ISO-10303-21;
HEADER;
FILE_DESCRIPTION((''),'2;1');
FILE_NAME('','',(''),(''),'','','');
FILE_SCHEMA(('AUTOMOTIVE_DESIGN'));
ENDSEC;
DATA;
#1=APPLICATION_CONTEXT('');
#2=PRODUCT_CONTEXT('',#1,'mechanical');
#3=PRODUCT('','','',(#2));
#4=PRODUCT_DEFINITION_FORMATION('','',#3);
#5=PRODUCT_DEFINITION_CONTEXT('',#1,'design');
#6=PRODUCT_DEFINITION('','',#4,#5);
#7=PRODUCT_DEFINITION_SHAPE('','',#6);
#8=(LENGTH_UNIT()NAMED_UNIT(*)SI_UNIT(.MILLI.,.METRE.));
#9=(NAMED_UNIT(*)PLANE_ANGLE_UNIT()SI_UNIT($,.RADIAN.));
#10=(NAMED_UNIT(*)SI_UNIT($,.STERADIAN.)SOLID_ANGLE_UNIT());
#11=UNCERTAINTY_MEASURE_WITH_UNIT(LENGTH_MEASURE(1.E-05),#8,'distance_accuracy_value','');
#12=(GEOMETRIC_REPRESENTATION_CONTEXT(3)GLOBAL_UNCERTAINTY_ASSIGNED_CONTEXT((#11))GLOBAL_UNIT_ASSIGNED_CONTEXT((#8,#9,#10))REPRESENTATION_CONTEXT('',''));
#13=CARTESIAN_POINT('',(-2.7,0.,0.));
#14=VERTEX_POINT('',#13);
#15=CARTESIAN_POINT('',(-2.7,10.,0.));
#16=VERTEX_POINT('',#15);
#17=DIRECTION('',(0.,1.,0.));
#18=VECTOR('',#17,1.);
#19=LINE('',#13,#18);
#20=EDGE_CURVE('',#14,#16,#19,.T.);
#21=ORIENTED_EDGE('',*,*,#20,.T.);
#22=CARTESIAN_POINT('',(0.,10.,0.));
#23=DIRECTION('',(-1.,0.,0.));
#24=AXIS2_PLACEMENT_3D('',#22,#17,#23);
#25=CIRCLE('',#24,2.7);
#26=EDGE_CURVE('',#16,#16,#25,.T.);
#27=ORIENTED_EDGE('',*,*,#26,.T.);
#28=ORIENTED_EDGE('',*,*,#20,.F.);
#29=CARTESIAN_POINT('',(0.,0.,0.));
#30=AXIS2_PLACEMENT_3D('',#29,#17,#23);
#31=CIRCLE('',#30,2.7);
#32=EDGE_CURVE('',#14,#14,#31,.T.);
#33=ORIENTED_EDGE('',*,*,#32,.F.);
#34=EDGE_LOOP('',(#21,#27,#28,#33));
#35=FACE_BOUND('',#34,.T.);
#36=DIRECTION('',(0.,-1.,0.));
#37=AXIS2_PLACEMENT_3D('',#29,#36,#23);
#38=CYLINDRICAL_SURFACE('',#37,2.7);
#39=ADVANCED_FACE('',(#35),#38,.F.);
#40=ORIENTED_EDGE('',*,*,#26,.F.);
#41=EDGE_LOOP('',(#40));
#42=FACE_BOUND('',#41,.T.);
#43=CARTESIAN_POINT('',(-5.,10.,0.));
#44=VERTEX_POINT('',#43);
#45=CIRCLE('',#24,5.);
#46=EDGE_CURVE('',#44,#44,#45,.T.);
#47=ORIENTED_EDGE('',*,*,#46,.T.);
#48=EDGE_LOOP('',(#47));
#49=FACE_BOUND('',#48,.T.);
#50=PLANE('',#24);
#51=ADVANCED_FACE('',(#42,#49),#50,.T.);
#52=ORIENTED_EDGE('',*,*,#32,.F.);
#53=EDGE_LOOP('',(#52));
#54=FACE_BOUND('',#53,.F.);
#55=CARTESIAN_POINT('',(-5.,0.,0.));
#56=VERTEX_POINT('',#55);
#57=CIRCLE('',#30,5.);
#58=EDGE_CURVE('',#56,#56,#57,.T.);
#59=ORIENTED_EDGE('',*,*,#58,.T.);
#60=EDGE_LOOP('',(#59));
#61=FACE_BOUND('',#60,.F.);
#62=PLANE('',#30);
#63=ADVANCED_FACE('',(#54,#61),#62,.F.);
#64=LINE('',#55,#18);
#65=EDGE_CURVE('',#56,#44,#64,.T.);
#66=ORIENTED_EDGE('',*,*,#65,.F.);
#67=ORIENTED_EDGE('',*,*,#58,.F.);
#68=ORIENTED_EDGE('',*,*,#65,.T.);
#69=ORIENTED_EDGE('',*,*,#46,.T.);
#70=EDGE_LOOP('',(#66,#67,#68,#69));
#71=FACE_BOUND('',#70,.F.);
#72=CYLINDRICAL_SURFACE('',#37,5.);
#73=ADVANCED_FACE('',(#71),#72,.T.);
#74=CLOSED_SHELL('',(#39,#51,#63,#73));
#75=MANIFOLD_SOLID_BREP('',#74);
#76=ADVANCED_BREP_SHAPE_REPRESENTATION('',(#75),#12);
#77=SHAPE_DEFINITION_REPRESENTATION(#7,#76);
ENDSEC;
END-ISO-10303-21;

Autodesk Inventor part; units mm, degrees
ref_plane "YZ Plane" through (0, 0, 0) normal (1, 0, 0) x (0, 1, 0)
ref_plane "XZ Plane" through (0, 0, 0) normal (0, 1, 0) x (-1, 0, 0)
ref_plane "XY Plane" through (0, 0, 0) normal (0, 0, 1) x (1, 0, 0)
sketch "Szkic1" plane through (0, 0, 0) normal (0, 1, 0) x (-1, 0, 0)
  circle A0 centre (0, 0) radius 2.7
  circle A1 centre (0, 0) radius 5
  dimension "d0" = 5.4
  dimension "d1" = 10
extrude "Wyciągnięcie proste1" add sketch "Szkic1" along normal blind 10
properties part number "tuleja"
